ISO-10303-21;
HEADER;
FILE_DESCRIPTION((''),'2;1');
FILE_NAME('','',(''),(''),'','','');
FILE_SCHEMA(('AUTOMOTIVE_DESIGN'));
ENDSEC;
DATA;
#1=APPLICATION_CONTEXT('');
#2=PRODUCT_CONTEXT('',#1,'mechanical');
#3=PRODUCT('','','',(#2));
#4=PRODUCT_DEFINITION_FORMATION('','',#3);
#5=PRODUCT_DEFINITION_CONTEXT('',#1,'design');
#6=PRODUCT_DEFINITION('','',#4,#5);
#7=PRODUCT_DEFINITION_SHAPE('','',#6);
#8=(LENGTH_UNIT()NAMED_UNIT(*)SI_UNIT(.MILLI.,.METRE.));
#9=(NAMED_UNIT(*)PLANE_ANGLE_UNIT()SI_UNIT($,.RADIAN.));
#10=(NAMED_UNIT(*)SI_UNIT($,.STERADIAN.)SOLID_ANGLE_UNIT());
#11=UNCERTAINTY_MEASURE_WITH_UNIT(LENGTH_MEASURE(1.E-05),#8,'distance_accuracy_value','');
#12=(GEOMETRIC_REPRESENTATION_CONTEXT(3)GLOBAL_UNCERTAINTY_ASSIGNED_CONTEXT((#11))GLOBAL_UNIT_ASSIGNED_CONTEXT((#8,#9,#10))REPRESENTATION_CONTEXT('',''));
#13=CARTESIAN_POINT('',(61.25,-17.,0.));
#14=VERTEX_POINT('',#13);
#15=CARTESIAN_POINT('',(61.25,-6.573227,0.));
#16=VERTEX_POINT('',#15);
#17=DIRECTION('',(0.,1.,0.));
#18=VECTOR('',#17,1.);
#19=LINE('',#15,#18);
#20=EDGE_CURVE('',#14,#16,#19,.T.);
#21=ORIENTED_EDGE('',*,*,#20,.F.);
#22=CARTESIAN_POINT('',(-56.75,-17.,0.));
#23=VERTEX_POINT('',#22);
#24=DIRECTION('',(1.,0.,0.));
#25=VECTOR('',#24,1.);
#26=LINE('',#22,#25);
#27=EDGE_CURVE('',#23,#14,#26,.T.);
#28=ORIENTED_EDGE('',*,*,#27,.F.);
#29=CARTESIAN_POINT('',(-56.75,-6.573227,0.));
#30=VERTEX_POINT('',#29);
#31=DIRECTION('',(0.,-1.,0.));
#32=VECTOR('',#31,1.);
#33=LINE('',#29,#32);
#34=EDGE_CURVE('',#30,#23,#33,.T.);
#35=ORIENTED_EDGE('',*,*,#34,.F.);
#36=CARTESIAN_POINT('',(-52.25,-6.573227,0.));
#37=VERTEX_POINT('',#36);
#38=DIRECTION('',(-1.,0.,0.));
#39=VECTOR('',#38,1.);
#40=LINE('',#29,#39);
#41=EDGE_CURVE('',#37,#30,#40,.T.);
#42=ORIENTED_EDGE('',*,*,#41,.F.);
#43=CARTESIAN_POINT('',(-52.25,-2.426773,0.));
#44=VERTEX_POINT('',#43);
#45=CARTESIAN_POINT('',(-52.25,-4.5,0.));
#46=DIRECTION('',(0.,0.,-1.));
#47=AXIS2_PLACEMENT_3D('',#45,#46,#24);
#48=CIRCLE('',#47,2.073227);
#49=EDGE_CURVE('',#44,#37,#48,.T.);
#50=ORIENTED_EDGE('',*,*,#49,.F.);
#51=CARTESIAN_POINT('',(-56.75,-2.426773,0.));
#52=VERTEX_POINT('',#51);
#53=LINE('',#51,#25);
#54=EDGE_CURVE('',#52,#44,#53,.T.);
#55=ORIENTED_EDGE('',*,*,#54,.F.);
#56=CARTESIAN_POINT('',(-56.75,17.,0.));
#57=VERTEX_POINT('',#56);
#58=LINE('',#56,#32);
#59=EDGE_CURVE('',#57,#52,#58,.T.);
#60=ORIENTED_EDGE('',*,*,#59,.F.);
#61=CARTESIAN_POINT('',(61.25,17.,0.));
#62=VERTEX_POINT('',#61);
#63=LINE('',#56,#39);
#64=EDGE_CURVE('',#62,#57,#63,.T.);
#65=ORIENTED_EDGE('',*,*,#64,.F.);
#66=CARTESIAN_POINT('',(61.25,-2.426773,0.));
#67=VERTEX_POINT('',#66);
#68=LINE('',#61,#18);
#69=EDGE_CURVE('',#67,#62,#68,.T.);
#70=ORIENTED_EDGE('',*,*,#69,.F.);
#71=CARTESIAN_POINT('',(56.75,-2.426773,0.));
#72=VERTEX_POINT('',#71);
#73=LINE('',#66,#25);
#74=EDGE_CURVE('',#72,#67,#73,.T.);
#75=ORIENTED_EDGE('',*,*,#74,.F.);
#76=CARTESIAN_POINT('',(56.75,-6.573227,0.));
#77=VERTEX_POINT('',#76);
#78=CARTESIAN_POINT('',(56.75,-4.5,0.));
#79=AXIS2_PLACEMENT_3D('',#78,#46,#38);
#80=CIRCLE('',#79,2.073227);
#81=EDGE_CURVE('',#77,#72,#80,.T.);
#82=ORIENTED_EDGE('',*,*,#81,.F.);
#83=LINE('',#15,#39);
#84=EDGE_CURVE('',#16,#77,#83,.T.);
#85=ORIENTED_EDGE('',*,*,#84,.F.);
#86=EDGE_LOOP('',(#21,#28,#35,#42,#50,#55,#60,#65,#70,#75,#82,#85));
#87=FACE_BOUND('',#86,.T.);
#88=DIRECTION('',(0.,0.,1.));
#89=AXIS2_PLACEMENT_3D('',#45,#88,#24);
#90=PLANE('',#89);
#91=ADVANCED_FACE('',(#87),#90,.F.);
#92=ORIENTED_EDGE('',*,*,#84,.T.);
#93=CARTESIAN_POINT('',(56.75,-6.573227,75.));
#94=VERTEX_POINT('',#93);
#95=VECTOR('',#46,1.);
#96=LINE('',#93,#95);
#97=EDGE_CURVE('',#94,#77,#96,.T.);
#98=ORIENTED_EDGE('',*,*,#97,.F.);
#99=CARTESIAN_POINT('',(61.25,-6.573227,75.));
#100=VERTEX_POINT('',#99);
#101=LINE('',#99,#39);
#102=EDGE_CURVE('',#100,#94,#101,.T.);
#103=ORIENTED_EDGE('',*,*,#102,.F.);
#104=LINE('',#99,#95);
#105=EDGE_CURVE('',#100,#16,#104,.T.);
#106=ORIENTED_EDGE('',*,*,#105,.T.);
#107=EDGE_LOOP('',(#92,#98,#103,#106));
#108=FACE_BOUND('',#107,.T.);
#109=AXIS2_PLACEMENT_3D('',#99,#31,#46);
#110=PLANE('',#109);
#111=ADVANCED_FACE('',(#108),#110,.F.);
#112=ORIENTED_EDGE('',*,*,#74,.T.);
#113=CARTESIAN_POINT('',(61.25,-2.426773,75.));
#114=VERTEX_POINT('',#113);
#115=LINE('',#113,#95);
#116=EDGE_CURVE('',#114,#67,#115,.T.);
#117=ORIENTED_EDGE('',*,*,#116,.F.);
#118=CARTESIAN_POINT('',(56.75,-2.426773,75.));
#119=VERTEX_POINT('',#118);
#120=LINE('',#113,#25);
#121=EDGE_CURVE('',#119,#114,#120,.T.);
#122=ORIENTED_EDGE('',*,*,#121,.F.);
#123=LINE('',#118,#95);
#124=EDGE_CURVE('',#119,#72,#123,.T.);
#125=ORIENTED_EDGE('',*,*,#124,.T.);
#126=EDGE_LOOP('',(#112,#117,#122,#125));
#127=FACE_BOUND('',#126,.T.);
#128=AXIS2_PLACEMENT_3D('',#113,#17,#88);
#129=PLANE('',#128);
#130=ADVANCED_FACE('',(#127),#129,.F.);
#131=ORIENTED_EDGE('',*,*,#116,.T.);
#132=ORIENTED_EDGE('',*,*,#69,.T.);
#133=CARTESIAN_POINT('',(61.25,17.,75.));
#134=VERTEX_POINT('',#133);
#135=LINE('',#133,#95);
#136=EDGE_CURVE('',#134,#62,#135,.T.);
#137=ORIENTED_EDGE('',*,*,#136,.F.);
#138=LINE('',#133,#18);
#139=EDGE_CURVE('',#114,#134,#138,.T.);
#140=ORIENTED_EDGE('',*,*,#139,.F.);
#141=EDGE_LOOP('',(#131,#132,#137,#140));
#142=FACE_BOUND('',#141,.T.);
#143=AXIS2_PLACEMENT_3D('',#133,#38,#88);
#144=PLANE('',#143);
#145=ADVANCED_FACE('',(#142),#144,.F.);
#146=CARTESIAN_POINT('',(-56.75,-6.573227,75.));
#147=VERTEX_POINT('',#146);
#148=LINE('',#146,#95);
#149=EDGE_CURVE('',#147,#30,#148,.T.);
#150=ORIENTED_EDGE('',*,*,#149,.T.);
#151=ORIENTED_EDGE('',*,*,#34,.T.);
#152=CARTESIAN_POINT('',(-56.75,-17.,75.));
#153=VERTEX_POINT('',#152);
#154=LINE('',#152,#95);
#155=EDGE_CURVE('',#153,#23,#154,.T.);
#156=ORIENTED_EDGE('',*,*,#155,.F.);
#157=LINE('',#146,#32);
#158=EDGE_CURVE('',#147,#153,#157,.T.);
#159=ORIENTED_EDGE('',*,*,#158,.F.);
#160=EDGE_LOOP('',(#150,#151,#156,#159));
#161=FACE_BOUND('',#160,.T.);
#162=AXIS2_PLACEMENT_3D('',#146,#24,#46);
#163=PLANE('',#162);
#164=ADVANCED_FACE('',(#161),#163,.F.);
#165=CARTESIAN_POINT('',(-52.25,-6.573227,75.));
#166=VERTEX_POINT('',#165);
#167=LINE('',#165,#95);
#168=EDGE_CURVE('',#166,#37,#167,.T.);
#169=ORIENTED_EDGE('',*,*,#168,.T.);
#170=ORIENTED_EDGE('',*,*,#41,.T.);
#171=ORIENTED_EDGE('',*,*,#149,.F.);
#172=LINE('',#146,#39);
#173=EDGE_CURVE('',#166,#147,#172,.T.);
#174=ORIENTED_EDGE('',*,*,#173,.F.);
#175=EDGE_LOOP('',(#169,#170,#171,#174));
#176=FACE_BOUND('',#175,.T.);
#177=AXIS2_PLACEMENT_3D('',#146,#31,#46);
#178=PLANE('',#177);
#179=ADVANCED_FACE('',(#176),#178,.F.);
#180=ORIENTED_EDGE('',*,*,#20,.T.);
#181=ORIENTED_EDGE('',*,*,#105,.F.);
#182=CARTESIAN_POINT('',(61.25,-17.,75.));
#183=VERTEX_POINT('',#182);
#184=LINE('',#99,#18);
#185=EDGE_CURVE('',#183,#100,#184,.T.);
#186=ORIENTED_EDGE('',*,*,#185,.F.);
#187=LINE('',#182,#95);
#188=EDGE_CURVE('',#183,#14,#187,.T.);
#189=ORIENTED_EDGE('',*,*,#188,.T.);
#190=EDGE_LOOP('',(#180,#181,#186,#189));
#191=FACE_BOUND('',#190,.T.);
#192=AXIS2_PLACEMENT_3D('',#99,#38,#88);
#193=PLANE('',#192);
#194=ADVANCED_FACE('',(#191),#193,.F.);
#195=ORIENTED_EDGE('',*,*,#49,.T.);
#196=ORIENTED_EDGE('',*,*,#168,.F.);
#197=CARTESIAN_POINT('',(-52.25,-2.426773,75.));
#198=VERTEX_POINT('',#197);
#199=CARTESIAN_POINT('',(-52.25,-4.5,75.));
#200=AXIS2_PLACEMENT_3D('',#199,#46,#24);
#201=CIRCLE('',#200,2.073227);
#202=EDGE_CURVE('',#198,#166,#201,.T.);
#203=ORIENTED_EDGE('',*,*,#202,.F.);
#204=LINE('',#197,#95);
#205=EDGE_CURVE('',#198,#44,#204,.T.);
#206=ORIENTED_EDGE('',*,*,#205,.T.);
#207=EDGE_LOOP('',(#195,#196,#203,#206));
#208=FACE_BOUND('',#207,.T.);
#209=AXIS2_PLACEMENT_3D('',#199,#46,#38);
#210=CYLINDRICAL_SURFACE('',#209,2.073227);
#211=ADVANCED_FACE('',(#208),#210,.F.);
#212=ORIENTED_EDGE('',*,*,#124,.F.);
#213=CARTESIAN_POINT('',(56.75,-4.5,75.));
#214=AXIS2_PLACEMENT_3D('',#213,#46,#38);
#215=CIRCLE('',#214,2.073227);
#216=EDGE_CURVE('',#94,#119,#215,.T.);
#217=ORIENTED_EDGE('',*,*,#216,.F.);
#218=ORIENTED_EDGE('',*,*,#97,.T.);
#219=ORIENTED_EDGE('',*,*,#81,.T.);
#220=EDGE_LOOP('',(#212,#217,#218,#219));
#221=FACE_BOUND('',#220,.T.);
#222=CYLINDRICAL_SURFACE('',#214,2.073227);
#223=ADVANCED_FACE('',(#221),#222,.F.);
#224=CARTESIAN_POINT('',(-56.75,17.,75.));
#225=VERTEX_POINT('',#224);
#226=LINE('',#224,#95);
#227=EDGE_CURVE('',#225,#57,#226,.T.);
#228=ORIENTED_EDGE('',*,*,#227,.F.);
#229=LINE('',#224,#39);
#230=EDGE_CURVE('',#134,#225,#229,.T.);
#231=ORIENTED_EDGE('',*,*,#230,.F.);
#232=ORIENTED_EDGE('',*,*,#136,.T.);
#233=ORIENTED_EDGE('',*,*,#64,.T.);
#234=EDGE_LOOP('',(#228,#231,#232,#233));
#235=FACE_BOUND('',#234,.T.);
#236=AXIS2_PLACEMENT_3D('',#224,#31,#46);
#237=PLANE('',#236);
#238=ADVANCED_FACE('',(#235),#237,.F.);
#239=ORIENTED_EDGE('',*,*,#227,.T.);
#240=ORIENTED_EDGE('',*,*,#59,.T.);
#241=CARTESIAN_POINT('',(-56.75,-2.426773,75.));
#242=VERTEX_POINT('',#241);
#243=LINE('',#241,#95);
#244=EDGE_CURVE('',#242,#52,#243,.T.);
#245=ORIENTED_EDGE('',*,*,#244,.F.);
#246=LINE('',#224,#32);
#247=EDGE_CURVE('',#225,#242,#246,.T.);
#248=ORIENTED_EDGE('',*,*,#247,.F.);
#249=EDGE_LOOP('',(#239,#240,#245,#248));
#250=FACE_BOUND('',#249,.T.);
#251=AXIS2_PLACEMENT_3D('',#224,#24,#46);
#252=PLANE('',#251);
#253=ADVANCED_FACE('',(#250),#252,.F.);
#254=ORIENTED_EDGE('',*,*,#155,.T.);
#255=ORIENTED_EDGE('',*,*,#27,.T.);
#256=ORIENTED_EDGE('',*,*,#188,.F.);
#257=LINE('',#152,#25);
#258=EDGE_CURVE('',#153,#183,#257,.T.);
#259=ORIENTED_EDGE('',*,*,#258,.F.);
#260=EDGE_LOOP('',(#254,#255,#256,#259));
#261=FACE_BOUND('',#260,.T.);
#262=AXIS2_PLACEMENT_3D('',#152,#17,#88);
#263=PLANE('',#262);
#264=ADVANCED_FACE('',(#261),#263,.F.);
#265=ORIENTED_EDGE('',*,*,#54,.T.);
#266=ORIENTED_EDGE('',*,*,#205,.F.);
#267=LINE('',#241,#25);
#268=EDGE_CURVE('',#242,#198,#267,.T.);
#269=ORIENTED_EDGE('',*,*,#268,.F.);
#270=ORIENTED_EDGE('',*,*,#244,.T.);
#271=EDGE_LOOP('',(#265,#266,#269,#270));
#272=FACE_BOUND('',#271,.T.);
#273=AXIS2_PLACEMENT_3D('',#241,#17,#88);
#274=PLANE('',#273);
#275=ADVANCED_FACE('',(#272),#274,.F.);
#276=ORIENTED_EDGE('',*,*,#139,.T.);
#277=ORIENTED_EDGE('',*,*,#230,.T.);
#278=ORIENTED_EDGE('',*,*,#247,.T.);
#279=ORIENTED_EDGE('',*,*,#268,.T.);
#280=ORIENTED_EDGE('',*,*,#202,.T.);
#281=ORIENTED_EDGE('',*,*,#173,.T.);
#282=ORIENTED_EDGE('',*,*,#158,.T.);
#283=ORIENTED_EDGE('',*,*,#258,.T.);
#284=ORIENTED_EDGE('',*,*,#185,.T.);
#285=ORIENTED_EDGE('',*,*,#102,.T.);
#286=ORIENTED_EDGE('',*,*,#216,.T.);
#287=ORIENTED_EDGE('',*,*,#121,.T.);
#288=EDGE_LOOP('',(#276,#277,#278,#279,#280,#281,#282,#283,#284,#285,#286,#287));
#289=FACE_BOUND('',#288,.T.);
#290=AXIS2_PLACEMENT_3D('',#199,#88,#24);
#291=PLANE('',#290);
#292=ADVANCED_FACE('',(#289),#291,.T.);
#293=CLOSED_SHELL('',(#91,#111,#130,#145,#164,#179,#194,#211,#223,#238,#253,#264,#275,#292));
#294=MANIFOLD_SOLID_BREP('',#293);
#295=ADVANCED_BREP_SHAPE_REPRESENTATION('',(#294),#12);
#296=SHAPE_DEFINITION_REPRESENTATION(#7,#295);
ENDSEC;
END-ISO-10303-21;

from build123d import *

# Parameters (mm, degrees)
ESTRUSIONE_ESTRUSIONE1_DEPTH = 75


with BuildPart() as part:
    # Schizzo1 → Estrusione-Estrusione1 (new body)
    with BuildSketch(Plane.XY):
        with BuildLine():
            Line((-56.75, 17), (61.25, 17))
            Line((61.25, 17), (61.25, -2.426773282))
            Line((61.25, -2.426773282), (56.75, -2.426773282))
            ThreePointArc((56.75, -2.426773282), (54.676773282, -4.5), (56.75, -6.573226718))
            Line((56.75, -6.573226718), (61.25, -6.573226718))
            Line((61.25, -6.573226718), (61.25, -17))
            Line((61.25, -17), (-56.75, -17))
            Line((-56.75, -17), (-56.75, -6.573226718))
            Line((-56.75, -6.573226718), (-52.25, -6.573226718))
            ThreePointArc((-52.25, -6.573226718), (-50.176773282, -4.5), (-52.25, -2.426773282))
            Line((-52.25, -2.426773282), (-56.75, -2.426773282))
            Line((-56.75, -2.426773282), (-56.75, 17))
        make_face()
    extrude(amount=ESTRUSIONE_ESTRUSIONE1_DEPTH)


solid = part.part
